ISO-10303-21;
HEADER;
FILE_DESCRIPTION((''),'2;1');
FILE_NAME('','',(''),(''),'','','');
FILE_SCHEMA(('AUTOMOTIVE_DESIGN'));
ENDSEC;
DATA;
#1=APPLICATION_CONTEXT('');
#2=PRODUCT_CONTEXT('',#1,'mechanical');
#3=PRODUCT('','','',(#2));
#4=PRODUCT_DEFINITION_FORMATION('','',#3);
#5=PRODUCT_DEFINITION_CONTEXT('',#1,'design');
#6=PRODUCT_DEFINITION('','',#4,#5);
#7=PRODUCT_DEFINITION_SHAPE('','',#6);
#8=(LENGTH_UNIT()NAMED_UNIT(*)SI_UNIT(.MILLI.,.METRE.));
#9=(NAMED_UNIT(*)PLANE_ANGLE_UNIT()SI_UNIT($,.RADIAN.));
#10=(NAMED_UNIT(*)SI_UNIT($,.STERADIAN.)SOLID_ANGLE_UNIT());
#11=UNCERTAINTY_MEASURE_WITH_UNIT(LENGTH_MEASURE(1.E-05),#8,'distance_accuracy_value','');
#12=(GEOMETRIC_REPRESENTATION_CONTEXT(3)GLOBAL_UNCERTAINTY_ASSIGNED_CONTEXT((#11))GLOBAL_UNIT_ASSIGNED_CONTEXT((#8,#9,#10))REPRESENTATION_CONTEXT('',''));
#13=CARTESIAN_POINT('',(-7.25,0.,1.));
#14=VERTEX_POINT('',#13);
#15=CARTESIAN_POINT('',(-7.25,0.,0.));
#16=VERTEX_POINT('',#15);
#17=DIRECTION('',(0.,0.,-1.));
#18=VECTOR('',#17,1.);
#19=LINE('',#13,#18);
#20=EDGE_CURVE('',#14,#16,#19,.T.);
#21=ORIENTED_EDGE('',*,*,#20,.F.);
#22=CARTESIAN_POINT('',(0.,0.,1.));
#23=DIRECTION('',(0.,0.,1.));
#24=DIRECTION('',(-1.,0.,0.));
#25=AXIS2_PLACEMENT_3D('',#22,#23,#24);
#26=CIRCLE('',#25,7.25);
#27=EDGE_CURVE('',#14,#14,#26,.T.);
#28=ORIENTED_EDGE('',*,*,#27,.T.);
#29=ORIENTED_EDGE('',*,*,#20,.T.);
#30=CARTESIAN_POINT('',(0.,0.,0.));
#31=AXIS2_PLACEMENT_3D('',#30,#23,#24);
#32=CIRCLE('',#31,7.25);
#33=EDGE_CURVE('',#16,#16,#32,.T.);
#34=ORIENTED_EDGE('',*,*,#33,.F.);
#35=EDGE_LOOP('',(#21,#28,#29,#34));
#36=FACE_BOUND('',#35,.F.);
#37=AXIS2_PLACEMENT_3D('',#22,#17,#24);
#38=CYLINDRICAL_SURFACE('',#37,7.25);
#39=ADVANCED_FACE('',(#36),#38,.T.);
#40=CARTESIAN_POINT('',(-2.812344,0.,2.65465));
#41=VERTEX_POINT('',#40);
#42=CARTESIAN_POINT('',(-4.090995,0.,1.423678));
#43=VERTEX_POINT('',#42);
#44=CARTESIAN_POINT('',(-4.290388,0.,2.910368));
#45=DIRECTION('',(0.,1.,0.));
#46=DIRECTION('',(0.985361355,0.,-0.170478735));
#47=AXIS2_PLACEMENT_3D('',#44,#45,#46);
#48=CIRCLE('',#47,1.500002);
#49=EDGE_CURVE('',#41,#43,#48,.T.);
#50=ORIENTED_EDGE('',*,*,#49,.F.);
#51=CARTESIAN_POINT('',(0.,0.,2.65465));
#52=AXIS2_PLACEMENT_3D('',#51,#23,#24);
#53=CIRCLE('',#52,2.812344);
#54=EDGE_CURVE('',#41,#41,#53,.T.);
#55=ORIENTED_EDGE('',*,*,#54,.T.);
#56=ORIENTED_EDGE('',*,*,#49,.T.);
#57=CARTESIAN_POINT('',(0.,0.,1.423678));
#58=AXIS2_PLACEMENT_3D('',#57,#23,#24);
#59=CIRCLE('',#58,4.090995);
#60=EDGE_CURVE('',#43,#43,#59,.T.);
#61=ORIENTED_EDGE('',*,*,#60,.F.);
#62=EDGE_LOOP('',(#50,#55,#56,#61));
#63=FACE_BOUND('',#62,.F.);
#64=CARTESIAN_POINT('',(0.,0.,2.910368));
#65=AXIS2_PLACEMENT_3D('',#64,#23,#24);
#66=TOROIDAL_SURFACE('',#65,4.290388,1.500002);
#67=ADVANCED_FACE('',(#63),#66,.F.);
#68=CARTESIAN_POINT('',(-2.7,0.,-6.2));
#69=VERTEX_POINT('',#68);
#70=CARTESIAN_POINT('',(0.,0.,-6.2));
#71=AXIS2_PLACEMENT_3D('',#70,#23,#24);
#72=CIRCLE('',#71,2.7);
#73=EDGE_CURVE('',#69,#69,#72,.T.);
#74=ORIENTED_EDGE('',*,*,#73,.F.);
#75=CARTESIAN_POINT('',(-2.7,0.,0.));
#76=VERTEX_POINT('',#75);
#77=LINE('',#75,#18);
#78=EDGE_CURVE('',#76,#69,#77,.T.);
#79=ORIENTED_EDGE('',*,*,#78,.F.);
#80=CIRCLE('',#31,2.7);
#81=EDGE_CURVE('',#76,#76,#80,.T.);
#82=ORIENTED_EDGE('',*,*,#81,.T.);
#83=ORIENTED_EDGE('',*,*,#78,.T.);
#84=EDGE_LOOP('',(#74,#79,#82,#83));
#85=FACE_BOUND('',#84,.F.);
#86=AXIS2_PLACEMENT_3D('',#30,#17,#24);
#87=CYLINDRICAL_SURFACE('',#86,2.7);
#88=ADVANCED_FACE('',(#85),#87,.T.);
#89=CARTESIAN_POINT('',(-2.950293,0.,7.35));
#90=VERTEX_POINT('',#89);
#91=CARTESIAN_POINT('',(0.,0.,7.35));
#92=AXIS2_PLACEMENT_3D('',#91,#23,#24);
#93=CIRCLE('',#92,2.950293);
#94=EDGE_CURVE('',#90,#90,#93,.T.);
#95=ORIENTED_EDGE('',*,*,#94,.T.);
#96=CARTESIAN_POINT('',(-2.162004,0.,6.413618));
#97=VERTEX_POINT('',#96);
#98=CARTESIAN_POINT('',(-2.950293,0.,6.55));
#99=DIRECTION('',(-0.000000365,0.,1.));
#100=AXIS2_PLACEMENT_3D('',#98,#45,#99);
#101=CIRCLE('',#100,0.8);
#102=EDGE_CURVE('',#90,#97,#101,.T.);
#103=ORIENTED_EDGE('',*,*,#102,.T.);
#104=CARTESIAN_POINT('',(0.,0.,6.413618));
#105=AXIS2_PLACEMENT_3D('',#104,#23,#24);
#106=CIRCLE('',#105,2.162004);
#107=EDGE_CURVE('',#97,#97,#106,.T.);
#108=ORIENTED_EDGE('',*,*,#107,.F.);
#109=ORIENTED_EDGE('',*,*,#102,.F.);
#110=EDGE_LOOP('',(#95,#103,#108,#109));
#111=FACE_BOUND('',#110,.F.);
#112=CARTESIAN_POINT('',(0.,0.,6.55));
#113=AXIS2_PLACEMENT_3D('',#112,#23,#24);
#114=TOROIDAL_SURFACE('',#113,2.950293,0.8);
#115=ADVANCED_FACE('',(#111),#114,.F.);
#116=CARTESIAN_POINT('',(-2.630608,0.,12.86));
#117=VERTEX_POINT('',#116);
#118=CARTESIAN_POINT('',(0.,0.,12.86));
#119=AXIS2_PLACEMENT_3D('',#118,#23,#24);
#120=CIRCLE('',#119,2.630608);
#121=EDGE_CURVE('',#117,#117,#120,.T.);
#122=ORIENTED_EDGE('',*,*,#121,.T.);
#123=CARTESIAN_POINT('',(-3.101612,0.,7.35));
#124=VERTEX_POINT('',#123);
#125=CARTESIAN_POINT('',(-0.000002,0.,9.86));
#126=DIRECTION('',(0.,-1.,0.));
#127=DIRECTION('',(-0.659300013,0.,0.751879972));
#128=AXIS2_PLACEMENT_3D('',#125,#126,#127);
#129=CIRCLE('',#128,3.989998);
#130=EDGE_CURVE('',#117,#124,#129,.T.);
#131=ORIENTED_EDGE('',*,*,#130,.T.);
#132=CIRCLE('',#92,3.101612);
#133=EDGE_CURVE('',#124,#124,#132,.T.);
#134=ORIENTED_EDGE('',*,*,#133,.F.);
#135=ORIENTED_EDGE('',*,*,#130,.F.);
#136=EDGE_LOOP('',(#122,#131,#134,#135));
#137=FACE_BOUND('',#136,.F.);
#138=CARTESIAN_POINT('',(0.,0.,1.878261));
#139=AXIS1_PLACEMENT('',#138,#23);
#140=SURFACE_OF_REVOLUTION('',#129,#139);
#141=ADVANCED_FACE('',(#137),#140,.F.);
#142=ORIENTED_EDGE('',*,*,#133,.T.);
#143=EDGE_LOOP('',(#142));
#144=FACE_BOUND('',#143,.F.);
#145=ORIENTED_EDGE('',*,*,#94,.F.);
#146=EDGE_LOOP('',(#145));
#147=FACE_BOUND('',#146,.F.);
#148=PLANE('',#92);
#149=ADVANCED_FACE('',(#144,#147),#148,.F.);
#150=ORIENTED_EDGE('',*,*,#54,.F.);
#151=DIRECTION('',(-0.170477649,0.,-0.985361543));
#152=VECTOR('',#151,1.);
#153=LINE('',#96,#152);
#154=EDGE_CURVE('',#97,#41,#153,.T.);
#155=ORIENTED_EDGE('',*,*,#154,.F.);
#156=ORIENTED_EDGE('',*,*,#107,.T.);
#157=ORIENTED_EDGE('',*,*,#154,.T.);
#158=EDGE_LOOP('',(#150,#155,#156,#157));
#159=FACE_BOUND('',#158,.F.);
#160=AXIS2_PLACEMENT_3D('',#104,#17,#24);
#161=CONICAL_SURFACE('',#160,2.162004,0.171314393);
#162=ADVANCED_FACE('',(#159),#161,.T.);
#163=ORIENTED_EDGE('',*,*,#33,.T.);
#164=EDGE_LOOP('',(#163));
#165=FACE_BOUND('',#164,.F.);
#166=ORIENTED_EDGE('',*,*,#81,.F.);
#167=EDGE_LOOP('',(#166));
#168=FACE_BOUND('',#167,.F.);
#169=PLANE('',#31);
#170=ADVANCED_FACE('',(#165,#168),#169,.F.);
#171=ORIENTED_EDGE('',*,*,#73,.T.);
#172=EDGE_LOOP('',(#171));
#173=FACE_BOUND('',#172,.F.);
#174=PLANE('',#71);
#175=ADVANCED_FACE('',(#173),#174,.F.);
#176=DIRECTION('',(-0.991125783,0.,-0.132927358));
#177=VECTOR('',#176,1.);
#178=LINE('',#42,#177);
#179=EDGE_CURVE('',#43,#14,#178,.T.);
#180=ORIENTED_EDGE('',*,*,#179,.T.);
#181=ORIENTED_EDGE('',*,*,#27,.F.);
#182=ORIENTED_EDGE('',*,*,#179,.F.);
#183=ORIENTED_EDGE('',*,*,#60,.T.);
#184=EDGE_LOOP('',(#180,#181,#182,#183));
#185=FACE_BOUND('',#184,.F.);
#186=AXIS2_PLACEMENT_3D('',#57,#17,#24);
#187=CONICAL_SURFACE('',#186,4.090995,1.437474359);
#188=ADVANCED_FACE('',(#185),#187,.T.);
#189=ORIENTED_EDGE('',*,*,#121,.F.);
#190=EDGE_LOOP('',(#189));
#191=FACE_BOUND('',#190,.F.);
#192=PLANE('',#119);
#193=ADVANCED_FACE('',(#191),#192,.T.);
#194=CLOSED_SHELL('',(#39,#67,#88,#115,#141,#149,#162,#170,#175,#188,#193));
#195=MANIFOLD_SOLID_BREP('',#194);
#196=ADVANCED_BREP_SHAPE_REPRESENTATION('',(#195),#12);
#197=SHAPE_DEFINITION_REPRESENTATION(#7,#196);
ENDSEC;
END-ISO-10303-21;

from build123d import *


with BuildPart() as f1:
    # F0 (on Front) → F1 (revolve)
    with BuildSketch(Plane.XZ):
        with BuildLine():
            Line((-2.7, -6.2), (0, -6.2))
            Line((0, -6.2), (0, 12.86))
            Line((0, 12.86), (-2.630608, 12.86))
            ThreePointArc((-2.630608, 12.86), (-3.975502, 10.199833), (-3.101612, 7.35))
            Line((-3.101612, 7.35), (-2.950293, 7.35))
            ThreePointArc((-2.950293, 7.35), (-2.338286, 7.065216), (-2.162004, 6.413618))
            Line((-2.162004, 6.413618), (-2.812344, 2.65465))
            ThreePointArc((-2.812344, 2.65465), (-3.250065, 1.829751), (-4.090995, 1.423678))
            Line((-4.090995, 1.423678), (-7.25, 1))
            Line((-7.25, 1), (-7.25, 0))
            Line((-7.25, 0), (-2.7, 0))
            Line((-2.7, 0), (-2.7, -6.2))
        make_face()
    revolve(axis=Axis((0, 0, 1.878261), (0, 0, 1)))


solid = f1.part
